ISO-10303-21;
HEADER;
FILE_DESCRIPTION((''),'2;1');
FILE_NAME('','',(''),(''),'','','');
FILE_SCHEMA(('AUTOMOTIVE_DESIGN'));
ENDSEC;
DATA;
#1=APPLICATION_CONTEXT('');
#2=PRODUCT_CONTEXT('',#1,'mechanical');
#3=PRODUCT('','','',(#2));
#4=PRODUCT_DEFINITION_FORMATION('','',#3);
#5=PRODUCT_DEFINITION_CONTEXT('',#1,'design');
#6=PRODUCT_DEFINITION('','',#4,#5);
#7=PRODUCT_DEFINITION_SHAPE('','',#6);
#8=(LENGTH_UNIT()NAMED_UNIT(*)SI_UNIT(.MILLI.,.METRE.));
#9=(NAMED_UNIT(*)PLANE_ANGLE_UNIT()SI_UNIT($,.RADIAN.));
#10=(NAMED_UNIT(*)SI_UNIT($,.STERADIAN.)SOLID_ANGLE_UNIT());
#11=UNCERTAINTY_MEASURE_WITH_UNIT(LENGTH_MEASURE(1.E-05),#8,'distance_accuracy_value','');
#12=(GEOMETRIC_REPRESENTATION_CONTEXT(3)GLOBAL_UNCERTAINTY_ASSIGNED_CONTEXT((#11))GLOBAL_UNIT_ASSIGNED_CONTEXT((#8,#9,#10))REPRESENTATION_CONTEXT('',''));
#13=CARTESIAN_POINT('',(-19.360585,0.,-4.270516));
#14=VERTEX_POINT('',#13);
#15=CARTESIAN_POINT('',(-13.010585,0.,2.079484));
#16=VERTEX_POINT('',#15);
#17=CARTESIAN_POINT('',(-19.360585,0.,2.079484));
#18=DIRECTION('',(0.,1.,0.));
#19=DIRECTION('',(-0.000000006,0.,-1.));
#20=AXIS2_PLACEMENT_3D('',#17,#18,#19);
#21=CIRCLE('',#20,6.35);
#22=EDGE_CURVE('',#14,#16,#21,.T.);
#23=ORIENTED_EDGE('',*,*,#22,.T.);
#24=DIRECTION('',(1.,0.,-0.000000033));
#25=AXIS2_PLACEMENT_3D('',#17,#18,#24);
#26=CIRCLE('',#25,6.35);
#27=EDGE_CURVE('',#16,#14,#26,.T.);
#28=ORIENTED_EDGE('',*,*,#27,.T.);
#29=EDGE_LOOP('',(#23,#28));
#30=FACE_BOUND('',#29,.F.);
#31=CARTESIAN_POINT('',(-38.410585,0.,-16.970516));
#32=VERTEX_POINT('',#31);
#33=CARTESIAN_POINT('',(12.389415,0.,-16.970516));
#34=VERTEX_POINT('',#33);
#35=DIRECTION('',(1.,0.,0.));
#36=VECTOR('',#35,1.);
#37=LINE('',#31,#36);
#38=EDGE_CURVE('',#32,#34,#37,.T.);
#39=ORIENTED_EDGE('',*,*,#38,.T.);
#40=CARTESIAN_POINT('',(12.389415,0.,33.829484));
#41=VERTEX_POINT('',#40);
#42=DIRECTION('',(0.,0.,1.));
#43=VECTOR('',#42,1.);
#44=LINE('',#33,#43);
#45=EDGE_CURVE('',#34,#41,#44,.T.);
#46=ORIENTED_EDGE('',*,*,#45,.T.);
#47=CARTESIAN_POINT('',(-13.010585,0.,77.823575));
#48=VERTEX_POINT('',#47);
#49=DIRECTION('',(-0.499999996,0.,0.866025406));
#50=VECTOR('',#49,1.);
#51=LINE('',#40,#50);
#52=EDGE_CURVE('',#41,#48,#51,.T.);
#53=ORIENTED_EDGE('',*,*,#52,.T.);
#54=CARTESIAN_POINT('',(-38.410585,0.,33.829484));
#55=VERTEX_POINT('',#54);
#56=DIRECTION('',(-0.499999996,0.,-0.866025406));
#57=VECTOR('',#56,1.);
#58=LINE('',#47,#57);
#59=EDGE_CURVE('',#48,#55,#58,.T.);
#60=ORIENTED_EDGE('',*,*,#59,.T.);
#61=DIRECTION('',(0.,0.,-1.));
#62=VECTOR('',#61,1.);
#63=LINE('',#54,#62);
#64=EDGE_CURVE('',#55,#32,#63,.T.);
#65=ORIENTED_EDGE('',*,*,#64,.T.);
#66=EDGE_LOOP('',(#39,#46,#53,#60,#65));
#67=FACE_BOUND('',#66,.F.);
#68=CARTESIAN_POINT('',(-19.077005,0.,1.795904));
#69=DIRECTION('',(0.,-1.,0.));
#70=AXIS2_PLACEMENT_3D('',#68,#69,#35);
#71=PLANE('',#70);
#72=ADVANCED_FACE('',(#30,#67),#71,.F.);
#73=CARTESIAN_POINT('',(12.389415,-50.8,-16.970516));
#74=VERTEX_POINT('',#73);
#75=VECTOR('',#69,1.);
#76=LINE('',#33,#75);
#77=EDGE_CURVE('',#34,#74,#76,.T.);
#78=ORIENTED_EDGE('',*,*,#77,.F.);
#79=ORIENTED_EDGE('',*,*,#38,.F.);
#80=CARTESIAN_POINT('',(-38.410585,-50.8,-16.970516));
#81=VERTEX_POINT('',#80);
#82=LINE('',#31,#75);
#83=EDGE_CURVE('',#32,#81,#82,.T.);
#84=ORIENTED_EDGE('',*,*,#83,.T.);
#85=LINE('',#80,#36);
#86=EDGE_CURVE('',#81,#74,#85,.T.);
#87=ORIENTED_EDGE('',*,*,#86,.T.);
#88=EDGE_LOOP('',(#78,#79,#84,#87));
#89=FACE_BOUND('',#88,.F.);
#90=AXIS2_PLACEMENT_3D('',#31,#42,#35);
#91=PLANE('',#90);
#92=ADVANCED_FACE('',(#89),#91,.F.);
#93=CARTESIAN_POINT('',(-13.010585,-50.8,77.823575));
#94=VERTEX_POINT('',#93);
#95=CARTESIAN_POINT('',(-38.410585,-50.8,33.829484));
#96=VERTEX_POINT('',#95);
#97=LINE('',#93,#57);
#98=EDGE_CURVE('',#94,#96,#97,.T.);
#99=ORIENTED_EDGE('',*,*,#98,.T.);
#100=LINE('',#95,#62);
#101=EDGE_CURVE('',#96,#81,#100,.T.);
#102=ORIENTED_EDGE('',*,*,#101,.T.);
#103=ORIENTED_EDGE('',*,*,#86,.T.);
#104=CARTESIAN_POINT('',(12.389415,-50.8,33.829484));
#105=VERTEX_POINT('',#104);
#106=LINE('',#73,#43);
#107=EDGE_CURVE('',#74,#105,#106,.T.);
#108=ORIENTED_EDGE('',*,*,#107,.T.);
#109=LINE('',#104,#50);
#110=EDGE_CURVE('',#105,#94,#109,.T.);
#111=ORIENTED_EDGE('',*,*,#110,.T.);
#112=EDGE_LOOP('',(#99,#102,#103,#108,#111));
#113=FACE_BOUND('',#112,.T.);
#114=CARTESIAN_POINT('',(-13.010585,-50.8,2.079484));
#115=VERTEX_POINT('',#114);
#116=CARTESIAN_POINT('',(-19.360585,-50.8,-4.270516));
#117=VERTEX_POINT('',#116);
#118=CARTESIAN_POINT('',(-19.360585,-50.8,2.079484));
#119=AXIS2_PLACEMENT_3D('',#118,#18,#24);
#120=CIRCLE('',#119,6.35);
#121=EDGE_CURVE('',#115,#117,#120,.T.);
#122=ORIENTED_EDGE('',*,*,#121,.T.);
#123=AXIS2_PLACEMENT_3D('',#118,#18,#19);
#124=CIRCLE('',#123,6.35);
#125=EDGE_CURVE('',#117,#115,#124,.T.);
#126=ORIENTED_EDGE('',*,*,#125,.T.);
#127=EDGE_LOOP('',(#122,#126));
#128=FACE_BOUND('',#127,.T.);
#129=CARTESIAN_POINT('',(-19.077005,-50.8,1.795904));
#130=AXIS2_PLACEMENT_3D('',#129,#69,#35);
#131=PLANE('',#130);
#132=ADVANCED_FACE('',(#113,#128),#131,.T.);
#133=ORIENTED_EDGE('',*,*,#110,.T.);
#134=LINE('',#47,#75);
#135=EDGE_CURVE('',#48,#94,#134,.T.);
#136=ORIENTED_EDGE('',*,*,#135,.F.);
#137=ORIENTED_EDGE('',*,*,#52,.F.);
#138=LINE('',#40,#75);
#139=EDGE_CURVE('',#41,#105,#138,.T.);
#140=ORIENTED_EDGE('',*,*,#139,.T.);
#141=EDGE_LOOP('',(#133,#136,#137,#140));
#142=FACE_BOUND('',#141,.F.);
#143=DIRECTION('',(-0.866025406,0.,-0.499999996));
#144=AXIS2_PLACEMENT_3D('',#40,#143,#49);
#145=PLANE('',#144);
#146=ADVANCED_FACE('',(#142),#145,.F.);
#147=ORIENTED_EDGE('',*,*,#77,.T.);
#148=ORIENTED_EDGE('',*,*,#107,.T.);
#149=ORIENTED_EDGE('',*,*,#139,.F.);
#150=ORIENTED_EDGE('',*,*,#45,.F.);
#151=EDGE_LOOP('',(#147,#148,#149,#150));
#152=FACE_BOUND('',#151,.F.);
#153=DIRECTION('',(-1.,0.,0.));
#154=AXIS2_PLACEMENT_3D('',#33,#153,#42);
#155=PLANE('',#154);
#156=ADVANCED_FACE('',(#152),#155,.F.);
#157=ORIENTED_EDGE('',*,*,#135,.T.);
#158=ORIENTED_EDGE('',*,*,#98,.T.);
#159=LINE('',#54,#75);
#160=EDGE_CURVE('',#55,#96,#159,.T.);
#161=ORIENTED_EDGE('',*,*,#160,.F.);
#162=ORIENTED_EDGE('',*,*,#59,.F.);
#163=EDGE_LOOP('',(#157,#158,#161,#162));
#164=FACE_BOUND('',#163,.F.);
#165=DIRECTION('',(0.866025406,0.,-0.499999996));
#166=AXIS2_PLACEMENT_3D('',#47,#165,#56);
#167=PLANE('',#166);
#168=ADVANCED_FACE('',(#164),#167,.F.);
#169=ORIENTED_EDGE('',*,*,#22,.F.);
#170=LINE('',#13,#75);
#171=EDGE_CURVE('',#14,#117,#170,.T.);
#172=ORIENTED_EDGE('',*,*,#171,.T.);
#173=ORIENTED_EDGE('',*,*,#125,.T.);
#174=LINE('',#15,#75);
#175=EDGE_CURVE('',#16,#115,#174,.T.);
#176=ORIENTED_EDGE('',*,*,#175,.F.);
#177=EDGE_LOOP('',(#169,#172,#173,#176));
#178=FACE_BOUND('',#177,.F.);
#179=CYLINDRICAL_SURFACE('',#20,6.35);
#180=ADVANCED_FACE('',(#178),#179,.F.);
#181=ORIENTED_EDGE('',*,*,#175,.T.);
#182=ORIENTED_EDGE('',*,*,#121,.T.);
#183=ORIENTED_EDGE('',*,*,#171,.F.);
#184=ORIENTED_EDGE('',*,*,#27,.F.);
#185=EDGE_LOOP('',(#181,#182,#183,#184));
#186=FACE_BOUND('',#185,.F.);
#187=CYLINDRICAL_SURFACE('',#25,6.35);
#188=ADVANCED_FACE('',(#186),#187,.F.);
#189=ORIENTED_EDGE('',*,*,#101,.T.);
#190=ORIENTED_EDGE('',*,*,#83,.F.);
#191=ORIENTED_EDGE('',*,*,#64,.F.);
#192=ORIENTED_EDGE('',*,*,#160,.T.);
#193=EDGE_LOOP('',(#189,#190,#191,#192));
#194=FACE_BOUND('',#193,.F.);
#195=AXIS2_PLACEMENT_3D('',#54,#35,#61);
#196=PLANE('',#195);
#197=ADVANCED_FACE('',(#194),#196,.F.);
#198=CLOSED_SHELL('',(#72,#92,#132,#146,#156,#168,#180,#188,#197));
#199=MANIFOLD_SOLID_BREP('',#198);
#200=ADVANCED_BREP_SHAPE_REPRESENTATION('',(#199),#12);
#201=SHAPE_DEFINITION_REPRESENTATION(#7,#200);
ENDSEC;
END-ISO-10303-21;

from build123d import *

# Parameters (mm, degrees)
F1_DEPTH = 50.8


with BuildPart() as f1:
    # F0 (on Front) → F1 (new body)
    with BuildSketch(Plane.XZ):
        with BuildLine():
            ThreePointArc((-13.010585, 2.079484), (-23.850713, 6.569612), (-19.360585, -4.270516))
            ThreePointArc((-19.360585, -4.270516), (-14.870457, -2.410644), (-13.010585, 2.079484))
        make_face()
        Polygon((-38.410585, 2.079484), (-38.410585, -16.970516), (-19.360585, -16.970516), (12.389415, -16.970516), (12.389415, 33.829484), (-13.010585, 77.823575), (-38.410585, 33.829484), align=None)
        with BuildLine():
            ThreePointArc((-13.010585, 2.079484), (-14.870457, -2.410644), (-19.360585, -4.270516))
            ThreePointArc((-19.360585, -4.270516), (-23.850713, 6.569612), (-13.010585, 2.079484))
        make_face(mode=Mode.SUBTRACT)
    extrude(amount=F1_DEPTH)


solid = f1.part
